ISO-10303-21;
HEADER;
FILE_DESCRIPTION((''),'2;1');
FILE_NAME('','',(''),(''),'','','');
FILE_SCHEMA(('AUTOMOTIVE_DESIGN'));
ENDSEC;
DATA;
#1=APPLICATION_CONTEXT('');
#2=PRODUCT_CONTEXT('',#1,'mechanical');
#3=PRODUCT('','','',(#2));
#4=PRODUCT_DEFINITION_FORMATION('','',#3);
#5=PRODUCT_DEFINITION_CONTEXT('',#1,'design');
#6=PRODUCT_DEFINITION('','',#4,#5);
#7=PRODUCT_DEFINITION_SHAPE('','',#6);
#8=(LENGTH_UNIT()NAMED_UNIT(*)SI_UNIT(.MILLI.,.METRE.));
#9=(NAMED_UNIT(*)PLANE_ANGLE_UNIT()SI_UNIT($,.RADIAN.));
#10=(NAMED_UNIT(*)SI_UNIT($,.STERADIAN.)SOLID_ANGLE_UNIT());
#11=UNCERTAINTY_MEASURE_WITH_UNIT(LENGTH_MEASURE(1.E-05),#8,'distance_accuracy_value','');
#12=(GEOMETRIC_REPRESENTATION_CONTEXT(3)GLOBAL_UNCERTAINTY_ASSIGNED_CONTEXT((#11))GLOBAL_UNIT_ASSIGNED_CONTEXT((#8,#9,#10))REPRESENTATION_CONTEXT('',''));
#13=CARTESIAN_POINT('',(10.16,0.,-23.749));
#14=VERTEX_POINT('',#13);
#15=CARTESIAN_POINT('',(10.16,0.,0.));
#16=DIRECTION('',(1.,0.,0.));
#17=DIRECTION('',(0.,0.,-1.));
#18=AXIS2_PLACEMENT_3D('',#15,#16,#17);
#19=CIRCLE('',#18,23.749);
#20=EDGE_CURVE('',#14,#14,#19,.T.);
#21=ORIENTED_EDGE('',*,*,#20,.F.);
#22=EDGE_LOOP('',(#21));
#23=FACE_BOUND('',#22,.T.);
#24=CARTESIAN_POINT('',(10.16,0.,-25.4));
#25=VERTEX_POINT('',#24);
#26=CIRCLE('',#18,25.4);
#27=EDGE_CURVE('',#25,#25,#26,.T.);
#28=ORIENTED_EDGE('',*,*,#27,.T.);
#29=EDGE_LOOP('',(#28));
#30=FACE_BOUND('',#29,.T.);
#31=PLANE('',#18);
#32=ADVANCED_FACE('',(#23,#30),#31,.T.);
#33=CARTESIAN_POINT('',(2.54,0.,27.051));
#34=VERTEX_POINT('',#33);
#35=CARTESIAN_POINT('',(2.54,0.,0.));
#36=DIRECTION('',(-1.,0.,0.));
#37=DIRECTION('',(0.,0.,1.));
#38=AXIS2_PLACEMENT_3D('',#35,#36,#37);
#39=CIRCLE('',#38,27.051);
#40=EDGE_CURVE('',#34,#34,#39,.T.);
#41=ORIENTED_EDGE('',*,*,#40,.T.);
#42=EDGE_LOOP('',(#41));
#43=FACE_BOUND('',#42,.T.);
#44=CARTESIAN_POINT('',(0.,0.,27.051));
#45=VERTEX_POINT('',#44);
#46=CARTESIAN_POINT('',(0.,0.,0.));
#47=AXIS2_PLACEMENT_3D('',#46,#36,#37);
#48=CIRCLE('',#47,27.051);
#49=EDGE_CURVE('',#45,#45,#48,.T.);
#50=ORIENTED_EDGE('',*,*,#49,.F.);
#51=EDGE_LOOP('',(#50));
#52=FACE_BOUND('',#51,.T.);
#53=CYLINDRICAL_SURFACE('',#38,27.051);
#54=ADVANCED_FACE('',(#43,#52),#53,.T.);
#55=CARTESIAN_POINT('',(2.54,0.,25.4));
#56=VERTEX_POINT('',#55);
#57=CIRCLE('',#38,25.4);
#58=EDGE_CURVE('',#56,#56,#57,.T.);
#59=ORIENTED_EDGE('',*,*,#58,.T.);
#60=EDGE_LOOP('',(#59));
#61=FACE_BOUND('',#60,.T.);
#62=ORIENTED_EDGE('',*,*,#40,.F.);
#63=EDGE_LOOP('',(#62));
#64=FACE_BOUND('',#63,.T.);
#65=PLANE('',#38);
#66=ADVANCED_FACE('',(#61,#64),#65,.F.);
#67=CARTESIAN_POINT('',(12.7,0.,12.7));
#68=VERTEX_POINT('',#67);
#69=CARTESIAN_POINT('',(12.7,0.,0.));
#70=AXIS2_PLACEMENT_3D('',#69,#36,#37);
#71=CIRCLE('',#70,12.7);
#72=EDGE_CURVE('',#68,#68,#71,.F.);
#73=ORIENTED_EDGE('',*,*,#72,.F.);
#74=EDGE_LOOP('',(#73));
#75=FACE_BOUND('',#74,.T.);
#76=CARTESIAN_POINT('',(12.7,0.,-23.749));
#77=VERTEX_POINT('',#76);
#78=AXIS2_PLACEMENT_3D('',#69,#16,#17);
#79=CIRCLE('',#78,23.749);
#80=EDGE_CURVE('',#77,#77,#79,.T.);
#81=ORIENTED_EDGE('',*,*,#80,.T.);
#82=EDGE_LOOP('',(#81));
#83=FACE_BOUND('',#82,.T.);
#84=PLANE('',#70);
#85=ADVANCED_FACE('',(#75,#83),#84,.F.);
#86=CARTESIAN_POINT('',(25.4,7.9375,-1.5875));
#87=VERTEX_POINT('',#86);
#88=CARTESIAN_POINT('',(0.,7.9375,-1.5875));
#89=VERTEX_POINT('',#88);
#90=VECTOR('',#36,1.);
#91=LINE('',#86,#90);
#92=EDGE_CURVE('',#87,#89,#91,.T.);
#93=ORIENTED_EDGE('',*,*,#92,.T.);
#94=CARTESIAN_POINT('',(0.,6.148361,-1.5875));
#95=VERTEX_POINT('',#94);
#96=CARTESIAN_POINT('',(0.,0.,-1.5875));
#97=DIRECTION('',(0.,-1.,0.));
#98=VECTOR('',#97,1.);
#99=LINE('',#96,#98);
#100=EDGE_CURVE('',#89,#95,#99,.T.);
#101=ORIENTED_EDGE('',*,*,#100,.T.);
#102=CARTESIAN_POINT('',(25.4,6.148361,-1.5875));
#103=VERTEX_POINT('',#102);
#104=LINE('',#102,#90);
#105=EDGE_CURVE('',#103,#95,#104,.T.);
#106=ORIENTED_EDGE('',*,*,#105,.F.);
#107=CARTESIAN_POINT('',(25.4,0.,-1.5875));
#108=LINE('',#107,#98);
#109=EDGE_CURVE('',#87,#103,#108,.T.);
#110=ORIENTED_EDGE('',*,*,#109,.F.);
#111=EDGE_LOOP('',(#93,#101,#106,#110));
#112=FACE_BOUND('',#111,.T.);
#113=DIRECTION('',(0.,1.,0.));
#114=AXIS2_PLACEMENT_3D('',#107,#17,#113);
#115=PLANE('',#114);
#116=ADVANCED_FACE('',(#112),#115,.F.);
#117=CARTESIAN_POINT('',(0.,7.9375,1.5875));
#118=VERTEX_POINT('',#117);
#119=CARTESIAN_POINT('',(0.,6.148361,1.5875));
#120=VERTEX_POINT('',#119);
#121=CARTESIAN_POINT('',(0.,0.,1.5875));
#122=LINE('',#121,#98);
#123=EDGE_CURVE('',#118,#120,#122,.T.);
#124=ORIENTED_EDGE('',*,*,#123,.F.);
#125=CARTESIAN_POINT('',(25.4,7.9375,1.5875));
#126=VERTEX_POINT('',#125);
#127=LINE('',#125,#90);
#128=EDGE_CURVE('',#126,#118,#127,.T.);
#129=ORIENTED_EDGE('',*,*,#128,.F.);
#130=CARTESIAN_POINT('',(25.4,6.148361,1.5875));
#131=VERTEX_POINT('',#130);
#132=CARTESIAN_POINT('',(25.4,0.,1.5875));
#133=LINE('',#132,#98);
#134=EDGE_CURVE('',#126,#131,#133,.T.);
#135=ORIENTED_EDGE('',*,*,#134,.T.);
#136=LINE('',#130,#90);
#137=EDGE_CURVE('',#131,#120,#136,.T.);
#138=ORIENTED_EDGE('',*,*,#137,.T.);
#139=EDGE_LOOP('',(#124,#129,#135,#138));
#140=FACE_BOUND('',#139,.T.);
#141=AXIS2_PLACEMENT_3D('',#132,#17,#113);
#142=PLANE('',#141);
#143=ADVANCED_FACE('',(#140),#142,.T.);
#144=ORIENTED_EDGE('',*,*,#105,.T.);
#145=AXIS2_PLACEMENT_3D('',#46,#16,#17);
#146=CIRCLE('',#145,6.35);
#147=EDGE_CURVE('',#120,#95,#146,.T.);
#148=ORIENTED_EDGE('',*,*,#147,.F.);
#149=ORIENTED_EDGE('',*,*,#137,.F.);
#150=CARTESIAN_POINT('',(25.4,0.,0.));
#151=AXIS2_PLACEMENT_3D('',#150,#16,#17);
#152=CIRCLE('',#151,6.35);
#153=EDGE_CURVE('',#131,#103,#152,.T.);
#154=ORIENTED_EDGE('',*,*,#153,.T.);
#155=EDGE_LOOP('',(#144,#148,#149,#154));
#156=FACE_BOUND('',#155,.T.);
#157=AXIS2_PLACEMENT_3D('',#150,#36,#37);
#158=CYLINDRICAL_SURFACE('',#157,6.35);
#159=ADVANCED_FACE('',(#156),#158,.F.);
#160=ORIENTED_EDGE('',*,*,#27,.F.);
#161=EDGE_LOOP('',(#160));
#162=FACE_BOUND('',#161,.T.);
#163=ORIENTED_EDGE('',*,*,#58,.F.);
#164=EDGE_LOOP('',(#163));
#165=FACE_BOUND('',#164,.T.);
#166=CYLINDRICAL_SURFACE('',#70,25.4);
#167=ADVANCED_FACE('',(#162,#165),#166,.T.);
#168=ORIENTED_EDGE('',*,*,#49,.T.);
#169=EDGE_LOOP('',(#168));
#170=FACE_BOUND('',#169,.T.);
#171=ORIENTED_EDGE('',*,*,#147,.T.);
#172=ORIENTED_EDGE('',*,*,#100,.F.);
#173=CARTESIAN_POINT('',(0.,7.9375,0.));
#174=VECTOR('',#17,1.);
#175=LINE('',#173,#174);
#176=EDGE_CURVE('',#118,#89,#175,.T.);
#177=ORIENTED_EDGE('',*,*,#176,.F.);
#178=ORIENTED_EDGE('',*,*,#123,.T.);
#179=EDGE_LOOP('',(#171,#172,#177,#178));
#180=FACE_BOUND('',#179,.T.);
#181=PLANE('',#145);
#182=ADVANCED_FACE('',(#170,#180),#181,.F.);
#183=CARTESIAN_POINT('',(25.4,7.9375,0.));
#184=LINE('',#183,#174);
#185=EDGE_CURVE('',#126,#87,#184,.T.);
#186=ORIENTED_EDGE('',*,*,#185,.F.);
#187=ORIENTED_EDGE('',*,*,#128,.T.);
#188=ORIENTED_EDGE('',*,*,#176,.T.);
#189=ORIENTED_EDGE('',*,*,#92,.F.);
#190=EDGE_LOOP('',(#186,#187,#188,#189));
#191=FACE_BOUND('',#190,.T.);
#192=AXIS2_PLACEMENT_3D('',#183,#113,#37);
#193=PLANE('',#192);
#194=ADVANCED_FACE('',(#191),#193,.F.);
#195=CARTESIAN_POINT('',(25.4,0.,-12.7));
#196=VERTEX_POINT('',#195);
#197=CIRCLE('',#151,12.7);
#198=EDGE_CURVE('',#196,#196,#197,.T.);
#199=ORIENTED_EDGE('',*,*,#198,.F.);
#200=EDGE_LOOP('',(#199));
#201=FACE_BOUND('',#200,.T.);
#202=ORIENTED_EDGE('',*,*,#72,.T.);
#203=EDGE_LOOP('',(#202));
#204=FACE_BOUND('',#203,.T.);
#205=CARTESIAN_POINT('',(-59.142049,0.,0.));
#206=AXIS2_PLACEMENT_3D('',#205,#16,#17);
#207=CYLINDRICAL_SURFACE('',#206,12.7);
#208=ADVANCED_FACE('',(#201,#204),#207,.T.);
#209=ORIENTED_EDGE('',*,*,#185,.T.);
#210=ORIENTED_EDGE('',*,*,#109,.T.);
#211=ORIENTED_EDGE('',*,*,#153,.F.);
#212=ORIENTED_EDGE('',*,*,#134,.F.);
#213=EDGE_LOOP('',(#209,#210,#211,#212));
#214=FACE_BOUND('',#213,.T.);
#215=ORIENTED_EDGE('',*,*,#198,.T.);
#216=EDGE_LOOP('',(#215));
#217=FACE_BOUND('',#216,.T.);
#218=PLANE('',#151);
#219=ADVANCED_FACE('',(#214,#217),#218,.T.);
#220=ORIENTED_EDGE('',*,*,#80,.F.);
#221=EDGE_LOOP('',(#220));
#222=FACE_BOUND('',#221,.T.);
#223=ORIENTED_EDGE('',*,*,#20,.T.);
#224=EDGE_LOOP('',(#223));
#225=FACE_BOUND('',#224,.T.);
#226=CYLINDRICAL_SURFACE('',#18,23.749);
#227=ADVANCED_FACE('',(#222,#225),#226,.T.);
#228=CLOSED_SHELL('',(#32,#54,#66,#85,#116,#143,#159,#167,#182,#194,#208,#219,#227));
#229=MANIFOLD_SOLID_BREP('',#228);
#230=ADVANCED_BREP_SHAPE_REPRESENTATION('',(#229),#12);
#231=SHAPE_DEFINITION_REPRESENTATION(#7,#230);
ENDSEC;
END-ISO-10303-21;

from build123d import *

# Parameters (mm, degrees)
SKETCH1_R           = 22.225
BOSS_EXTRUDE1_DEPTH = 25.4
SKETCH2_R           = 25.4
SKETCH2_R_2         = 10.9140625
BOSS_EXTRUDE2_DEPTH = 12.7
SKETCH3_R           = 25.4
SKETCH3_R_2         = 12.7
CUT_EXTRUDE1_DEPTH  = 12.7
SKETCH5_R           = 27.051
SKETCH5_R_2         = 25.4
BOSS_EXTRUDE3_DEPTH = 2.54
SKETCH6_R           = 25.4
SKETCH6_R_2         = 23.749
CUT_EXTRUDE3_DEPTH  = 2.54


with BuildPart() as part:
    # Sketch1 → Boss-Extrude1 (new body)
    with BuildSketch(Plane(origin=(0, 0, 0), x_dir=(0, 0, -1), z_dir=(1, 0, 0))):
        Circle(SKETCH1_R)
        with BuildLine():
            Line((-1.5875, 6.148361062), (-1.5875, 7.9375))
            Line((-1.5875, 7.9375), (1.5875, 7.9375))
            Line((1.5875, 7.9375), (1.5875, 6.148361062))
            ThreePointArc((1.5875, 6.148361062), (5.020115786, 3.888564967), (6.35, 0))
            ThreePointArc((6.35, 0), (-3.888564967, -5.020115786), (-1.5875, 6.148361062))
        make_face(mode=Mode.SUBTRACT)
    extrude(amount=BOSS_EXTRUDE1_DEPTH)

    # Sketch2 → Boss-Extrude2 (add)
    with BuildSketch(Plane.ZY):
        Circle(SKETCH2_R)
        Circle(SKETCH2_R_2, mode=Mode.SUBTRACT)
    extrude(amount=-BOSS_EXTRUDE2_DEPTH)

    # Sketch3 → Cut-Extrude1 (cut)
    with BuildSketch(Plane(origin=(25.4, 0, 0), x_dir=(0, 0, -1), z_dir=(1, 0, 0))):
        Circle(SKETCH3_R)
        Circle(SKETCH3_R_2, mode=Mode.SUBTRACT)
    extrude(amount=-CUT_EXTRUDE1_DEPTH, mode=Mode.SUBTRACT)

    # Sketch5 → Boss-Extrude3 (add)
    with BuildSketch(Plane.ZY):
        Circle(SKETCH5_R)
        Circle(SKETCH5_R_2, mode=Mode.SUBTRACT)
    extrude(amount=-BOSS_EXTRUDE3_DEPTH)

    # Sketch6 → Cut-Extrude3 (cut)
    with BuildSketch(Plane(origin=(12.7, 0, 0), x_dir=(0, 0, -1), z_dir=(1, 0, 0))):
        Circle(SKETCH6_R)
        Circle(SKETCH6_R_2, mode=Mode.SUBTRACT)
    extrude(amount=-CUT_EXTRUDE3_DEPTH, mode=Mode.SUBTRACT)


solid = part.part
